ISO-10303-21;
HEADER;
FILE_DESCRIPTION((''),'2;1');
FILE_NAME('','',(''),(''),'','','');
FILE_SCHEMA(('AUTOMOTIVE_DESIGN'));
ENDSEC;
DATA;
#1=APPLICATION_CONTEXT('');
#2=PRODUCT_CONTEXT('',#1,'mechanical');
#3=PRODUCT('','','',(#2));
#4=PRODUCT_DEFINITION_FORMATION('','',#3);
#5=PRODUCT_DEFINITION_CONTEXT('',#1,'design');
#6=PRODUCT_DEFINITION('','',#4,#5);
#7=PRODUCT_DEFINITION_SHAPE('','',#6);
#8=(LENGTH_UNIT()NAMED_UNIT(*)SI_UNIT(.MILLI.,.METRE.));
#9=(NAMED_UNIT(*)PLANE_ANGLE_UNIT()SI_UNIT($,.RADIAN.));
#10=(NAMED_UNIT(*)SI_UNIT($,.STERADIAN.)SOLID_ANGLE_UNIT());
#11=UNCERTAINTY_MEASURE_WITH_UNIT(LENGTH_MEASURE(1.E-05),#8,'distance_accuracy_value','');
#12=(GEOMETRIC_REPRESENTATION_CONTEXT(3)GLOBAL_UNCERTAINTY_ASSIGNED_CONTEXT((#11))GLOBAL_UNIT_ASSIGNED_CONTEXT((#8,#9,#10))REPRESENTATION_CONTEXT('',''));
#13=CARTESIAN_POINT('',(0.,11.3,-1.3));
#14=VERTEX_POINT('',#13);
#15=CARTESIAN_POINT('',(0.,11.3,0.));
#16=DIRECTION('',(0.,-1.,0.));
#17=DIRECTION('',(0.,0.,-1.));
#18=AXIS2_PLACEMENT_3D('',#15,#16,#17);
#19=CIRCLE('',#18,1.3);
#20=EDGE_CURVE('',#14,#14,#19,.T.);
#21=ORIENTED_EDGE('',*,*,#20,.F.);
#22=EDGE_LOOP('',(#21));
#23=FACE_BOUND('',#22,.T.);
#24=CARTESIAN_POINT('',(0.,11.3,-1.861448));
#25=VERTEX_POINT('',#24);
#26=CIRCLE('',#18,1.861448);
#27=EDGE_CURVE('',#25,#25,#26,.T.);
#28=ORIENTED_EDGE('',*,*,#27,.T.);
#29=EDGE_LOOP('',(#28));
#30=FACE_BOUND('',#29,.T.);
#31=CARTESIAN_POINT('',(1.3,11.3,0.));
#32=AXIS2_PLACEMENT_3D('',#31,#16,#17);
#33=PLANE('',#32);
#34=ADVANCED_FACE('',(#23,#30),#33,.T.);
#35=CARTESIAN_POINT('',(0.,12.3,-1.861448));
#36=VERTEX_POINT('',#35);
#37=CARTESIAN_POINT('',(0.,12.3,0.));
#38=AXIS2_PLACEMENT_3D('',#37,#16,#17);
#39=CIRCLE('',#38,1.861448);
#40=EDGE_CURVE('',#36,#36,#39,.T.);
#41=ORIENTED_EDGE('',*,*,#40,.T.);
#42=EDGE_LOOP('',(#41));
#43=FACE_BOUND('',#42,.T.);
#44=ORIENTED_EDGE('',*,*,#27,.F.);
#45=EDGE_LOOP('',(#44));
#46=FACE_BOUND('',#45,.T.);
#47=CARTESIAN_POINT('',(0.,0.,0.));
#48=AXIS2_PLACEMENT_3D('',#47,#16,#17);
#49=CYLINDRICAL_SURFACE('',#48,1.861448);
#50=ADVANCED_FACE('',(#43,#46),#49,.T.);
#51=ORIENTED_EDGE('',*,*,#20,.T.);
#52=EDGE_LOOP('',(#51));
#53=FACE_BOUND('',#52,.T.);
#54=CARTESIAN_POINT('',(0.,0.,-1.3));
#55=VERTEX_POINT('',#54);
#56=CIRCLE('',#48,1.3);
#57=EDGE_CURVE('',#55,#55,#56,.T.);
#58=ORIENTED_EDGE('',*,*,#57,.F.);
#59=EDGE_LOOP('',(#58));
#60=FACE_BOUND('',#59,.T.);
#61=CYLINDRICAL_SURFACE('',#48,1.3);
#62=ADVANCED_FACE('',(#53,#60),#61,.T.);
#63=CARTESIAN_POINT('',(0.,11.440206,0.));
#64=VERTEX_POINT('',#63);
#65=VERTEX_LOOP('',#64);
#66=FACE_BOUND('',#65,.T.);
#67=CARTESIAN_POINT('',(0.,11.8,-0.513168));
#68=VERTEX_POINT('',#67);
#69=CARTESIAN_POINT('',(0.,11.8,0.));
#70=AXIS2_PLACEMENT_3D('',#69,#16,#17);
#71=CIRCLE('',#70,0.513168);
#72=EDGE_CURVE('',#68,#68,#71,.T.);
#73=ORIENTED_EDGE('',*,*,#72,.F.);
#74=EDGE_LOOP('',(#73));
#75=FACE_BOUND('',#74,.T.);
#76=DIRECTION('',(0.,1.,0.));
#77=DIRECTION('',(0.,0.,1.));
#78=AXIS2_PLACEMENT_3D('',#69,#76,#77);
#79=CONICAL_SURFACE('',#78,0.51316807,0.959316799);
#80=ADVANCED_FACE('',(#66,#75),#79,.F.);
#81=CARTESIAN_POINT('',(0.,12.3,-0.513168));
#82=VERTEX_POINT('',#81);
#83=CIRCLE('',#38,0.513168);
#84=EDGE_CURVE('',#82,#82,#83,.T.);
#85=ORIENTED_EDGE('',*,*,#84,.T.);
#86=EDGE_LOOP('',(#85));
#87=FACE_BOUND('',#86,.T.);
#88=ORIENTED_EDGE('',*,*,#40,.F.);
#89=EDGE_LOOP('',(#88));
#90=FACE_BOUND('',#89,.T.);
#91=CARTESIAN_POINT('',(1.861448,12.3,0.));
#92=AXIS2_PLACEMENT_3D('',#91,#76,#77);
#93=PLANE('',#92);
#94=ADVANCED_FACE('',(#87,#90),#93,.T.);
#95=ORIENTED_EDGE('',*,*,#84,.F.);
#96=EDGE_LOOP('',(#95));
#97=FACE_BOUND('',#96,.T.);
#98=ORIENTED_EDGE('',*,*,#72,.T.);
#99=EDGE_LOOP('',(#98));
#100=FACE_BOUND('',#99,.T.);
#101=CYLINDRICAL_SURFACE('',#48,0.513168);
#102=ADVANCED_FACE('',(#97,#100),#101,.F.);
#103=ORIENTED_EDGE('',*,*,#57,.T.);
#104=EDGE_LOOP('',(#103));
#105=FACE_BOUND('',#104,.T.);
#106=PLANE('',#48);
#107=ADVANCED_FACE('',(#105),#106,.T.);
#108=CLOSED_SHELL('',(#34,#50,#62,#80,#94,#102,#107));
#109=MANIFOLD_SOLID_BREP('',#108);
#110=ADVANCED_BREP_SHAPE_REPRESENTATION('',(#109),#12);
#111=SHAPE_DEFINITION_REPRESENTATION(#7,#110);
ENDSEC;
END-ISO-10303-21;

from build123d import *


with BuildPart() as part:
    # Sketch1 → Revolve1 (revolve)
    with BuildSketch(Plane.XY):
        Polygon((0, 0), (1.3, 0), (1.3, 11.3), (1.861447904, 11.3), (1.861447904, 12.3), (0.51316807, 12.3), (0.51316807, 11.8), (0, 11.440205857), align=None)
    revolve(axis=Axis((0, 0, 0), (0, 1, 0)))


solid = part.part
